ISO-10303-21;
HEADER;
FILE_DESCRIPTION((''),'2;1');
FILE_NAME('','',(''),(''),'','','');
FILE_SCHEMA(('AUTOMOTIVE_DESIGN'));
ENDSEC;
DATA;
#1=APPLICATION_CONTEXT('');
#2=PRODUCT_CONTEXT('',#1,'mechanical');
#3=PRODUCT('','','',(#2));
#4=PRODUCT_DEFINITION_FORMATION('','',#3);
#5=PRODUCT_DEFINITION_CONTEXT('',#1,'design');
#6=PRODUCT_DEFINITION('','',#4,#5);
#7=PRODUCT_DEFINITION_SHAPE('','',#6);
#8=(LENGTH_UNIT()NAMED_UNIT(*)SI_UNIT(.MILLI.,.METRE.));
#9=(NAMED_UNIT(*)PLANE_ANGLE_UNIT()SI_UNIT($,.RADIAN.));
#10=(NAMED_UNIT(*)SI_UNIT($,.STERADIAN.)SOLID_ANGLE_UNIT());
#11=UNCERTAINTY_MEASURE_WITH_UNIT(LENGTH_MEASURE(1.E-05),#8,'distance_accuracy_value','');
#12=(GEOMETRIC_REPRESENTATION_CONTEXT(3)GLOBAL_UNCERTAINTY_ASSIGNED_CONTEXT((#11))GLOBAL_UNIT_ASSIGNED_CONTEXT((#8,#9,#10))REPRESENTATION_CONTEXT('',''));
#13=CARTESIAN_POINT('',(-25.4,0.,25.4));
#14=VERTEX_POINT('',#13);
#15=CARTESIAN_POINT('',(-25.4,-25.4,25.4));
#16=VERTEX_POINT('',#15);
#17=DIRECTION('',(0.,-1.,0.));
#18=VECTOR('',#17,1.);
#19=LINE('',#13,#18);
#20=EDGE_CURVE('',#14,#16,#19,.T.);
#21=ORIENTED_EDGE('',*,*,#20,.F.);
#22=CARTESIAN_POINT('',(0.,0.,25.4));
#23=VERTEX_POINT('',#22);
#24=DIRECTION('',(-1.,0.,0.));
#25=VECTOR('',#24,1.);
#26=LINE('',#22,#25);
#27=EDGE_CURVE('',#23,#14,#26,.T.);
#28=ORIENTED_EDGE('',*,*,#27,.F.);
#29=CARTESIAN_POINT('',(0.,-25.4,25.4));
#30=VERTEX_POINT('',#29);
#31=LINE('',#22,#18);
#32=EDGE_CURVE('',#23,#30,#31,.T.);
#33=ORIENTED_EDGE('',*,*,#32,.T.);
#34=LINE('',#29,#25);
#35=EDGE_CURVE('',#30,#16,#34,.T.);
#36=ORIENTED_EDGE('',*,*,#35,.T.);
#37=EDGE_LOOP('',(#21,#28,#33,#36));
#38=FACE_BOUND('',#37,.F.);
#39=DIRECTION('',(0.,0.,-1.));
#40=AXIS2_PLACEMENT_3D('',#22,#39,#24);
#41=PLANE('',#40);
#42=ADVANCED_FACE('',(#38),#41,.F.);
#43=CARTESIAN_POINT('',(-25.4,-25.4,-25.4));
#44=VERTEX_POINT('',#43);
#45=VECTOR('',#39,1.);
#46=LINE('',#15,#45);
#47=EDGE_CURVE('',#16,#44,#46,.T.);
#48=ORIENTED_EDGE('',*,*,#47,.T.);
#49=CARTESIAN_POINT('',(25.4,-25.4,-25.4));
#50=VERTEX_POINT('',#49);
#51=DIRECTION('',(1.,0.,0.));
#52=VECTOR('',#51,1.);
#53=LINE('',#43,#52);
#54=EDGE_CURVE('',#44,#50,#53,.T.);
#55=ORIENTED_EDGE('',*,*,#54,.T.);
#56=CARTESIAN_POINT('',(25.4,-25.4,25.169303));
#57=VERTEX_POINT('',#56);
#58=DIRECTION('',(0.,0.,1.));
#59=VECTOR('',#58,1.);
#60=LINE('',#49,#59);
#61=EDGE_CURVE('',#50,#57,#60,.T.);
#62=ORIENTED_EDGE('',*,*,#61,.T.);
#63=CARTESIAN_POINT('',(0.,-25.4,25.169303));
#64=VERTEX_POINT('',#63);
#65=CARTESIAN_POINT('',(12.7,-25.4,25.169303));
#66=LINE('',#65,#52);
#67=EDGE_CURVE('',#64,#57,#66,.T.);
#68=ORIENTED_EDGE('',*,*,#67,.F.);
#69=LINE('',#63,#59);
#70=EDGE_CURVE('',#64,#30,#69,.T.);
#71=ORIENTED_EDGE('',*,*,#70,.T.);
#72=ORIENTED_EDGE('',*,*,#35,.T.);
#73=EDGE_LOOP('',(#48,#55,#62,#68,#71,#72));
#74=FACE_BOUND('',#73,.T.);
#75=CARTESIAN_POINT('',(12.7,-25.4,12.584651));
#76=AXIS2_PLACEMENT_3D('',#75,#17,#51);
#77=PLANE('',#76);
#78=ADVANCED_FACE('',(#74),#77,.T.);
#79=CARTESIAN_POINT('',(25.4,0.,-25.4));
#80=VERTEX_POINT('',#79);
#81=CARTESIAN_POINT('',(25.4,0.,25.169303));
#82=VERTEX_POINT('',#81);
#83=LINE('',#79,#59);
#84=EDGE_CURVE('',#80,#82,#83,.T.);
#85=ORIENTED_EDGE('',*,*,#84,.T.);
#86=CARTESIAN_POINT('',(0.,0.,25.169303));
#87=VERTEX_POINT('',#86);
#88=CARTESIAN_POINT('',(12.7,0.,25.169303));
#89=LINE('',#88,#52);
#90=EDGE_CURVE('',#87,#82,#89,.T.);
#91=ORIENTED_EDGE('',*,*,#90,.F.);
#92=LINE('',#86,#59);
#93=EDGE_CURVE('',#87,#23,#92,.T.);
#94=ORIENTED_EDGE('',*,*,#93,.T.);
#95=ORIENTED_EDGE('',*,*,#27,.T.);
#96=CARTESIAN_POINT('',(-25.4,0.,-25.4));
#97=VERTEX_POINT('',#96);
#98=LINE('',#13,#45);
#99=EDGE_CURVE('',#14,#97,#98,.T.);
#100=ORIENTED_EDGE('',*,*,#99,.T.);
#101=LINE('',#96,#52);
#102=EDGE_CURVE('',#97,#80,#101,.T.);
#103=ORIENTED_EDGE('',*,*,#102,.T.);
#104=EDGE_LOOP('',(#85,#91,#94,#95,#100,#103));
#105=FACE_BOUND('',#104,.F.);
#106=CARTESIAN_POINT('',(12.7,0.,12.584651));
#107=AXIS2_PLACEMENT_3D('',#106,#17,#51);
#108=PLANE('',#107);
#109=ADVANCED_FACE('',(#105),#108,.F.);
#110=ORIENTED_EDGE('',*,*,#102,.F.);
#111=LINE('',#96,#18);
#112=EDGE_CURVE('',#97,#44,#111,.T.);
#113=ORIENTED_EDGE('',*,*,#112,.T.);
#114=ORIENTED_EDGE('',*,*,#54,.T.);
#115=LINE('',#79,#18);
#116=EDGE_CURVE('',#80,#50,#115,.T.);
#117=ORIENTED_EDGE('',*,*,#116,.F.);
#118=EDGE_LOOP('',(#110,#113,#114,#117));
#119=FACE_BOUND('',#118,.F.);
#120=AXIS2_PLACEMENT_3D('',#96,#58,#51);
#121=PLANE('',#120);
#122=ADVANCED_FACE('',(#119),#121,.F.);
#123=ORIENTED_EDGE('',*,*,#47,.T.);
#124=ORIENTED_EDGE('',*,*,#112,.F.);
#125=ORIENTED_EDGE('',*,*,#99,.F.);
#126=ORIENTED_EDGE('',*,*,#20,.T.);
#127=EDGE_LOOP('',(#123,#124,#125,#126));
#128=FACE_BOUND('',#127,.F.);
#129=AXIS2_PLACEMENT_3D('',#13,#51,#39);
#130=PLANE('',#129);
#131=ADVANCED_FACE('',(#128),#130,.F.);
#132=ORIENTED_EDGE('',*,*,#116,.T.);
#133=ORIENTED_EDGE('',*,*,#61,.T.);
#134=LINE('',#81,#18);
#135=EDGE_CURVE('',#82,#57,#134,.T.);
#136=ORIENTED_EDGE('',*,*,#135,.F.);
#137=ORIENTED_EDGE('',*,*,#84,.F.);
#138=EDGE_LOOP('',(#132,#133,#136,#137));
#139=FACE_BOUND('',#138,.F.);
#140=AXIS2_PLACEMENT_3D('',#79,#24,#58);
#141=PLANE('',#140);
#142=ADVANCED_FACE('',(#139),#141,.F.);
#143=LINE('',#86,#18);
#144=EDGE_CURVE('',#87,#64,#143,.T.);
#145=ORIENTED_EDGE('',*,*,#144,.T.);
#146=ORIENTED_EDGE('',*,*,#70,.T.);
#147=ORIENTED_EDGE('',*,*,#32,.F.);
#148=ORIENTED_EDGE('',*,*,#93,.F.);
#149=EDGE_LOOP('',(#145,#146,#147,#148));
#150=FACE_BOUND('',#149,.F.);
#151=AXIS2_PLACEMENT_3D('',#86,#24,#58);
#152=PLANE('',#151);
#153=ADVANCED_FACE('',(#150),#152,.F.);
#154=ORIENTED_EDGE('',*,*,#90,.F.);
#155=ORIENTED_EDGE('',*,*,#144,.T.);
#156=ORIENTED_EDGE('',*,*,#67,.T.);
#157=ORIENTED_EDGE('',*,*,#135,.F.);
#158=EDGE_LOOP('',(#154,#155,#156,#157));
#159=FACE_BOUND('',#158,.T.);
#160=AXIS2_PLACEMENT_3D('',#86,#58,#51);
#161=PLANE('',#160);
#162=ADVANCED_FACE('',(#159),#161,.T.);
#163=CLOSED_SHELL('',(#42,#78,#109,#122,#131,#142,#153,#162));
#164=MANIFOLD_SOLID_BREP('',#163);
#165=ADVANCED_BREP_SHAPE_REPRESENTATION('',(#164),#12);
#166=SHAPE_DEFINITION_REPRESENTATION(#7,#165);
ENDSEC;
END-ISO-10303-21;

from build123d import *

# Parameters (mm, degrees)
F0_W     = 25.4
F0_H     = 25.169303
F0_H_2   = 25.4
F1_DEPTH = 25.4


with BuildPart() as f1:
    # F0 (on Front) → F1 (new body)
    with BuildSketch(Plane.XZ):
        with Locations((12.7, 12.584651)):
            Rectangle(F0_W, F0_H)
        Polygon((-25.4, 0), (0, 0), (0, 25.169303), (0, 25.4), (-25.4, 25.4), align=None)
        with Locations((-12.7, -12.7)):
            Rectangle(F0_W, F0_H_2)
        with Locations((12.7, -12.7)):
            Rectangle(F0_W, F0_H_2)
    extrude(amount=F1_DEPTH)


solid = f1.part
